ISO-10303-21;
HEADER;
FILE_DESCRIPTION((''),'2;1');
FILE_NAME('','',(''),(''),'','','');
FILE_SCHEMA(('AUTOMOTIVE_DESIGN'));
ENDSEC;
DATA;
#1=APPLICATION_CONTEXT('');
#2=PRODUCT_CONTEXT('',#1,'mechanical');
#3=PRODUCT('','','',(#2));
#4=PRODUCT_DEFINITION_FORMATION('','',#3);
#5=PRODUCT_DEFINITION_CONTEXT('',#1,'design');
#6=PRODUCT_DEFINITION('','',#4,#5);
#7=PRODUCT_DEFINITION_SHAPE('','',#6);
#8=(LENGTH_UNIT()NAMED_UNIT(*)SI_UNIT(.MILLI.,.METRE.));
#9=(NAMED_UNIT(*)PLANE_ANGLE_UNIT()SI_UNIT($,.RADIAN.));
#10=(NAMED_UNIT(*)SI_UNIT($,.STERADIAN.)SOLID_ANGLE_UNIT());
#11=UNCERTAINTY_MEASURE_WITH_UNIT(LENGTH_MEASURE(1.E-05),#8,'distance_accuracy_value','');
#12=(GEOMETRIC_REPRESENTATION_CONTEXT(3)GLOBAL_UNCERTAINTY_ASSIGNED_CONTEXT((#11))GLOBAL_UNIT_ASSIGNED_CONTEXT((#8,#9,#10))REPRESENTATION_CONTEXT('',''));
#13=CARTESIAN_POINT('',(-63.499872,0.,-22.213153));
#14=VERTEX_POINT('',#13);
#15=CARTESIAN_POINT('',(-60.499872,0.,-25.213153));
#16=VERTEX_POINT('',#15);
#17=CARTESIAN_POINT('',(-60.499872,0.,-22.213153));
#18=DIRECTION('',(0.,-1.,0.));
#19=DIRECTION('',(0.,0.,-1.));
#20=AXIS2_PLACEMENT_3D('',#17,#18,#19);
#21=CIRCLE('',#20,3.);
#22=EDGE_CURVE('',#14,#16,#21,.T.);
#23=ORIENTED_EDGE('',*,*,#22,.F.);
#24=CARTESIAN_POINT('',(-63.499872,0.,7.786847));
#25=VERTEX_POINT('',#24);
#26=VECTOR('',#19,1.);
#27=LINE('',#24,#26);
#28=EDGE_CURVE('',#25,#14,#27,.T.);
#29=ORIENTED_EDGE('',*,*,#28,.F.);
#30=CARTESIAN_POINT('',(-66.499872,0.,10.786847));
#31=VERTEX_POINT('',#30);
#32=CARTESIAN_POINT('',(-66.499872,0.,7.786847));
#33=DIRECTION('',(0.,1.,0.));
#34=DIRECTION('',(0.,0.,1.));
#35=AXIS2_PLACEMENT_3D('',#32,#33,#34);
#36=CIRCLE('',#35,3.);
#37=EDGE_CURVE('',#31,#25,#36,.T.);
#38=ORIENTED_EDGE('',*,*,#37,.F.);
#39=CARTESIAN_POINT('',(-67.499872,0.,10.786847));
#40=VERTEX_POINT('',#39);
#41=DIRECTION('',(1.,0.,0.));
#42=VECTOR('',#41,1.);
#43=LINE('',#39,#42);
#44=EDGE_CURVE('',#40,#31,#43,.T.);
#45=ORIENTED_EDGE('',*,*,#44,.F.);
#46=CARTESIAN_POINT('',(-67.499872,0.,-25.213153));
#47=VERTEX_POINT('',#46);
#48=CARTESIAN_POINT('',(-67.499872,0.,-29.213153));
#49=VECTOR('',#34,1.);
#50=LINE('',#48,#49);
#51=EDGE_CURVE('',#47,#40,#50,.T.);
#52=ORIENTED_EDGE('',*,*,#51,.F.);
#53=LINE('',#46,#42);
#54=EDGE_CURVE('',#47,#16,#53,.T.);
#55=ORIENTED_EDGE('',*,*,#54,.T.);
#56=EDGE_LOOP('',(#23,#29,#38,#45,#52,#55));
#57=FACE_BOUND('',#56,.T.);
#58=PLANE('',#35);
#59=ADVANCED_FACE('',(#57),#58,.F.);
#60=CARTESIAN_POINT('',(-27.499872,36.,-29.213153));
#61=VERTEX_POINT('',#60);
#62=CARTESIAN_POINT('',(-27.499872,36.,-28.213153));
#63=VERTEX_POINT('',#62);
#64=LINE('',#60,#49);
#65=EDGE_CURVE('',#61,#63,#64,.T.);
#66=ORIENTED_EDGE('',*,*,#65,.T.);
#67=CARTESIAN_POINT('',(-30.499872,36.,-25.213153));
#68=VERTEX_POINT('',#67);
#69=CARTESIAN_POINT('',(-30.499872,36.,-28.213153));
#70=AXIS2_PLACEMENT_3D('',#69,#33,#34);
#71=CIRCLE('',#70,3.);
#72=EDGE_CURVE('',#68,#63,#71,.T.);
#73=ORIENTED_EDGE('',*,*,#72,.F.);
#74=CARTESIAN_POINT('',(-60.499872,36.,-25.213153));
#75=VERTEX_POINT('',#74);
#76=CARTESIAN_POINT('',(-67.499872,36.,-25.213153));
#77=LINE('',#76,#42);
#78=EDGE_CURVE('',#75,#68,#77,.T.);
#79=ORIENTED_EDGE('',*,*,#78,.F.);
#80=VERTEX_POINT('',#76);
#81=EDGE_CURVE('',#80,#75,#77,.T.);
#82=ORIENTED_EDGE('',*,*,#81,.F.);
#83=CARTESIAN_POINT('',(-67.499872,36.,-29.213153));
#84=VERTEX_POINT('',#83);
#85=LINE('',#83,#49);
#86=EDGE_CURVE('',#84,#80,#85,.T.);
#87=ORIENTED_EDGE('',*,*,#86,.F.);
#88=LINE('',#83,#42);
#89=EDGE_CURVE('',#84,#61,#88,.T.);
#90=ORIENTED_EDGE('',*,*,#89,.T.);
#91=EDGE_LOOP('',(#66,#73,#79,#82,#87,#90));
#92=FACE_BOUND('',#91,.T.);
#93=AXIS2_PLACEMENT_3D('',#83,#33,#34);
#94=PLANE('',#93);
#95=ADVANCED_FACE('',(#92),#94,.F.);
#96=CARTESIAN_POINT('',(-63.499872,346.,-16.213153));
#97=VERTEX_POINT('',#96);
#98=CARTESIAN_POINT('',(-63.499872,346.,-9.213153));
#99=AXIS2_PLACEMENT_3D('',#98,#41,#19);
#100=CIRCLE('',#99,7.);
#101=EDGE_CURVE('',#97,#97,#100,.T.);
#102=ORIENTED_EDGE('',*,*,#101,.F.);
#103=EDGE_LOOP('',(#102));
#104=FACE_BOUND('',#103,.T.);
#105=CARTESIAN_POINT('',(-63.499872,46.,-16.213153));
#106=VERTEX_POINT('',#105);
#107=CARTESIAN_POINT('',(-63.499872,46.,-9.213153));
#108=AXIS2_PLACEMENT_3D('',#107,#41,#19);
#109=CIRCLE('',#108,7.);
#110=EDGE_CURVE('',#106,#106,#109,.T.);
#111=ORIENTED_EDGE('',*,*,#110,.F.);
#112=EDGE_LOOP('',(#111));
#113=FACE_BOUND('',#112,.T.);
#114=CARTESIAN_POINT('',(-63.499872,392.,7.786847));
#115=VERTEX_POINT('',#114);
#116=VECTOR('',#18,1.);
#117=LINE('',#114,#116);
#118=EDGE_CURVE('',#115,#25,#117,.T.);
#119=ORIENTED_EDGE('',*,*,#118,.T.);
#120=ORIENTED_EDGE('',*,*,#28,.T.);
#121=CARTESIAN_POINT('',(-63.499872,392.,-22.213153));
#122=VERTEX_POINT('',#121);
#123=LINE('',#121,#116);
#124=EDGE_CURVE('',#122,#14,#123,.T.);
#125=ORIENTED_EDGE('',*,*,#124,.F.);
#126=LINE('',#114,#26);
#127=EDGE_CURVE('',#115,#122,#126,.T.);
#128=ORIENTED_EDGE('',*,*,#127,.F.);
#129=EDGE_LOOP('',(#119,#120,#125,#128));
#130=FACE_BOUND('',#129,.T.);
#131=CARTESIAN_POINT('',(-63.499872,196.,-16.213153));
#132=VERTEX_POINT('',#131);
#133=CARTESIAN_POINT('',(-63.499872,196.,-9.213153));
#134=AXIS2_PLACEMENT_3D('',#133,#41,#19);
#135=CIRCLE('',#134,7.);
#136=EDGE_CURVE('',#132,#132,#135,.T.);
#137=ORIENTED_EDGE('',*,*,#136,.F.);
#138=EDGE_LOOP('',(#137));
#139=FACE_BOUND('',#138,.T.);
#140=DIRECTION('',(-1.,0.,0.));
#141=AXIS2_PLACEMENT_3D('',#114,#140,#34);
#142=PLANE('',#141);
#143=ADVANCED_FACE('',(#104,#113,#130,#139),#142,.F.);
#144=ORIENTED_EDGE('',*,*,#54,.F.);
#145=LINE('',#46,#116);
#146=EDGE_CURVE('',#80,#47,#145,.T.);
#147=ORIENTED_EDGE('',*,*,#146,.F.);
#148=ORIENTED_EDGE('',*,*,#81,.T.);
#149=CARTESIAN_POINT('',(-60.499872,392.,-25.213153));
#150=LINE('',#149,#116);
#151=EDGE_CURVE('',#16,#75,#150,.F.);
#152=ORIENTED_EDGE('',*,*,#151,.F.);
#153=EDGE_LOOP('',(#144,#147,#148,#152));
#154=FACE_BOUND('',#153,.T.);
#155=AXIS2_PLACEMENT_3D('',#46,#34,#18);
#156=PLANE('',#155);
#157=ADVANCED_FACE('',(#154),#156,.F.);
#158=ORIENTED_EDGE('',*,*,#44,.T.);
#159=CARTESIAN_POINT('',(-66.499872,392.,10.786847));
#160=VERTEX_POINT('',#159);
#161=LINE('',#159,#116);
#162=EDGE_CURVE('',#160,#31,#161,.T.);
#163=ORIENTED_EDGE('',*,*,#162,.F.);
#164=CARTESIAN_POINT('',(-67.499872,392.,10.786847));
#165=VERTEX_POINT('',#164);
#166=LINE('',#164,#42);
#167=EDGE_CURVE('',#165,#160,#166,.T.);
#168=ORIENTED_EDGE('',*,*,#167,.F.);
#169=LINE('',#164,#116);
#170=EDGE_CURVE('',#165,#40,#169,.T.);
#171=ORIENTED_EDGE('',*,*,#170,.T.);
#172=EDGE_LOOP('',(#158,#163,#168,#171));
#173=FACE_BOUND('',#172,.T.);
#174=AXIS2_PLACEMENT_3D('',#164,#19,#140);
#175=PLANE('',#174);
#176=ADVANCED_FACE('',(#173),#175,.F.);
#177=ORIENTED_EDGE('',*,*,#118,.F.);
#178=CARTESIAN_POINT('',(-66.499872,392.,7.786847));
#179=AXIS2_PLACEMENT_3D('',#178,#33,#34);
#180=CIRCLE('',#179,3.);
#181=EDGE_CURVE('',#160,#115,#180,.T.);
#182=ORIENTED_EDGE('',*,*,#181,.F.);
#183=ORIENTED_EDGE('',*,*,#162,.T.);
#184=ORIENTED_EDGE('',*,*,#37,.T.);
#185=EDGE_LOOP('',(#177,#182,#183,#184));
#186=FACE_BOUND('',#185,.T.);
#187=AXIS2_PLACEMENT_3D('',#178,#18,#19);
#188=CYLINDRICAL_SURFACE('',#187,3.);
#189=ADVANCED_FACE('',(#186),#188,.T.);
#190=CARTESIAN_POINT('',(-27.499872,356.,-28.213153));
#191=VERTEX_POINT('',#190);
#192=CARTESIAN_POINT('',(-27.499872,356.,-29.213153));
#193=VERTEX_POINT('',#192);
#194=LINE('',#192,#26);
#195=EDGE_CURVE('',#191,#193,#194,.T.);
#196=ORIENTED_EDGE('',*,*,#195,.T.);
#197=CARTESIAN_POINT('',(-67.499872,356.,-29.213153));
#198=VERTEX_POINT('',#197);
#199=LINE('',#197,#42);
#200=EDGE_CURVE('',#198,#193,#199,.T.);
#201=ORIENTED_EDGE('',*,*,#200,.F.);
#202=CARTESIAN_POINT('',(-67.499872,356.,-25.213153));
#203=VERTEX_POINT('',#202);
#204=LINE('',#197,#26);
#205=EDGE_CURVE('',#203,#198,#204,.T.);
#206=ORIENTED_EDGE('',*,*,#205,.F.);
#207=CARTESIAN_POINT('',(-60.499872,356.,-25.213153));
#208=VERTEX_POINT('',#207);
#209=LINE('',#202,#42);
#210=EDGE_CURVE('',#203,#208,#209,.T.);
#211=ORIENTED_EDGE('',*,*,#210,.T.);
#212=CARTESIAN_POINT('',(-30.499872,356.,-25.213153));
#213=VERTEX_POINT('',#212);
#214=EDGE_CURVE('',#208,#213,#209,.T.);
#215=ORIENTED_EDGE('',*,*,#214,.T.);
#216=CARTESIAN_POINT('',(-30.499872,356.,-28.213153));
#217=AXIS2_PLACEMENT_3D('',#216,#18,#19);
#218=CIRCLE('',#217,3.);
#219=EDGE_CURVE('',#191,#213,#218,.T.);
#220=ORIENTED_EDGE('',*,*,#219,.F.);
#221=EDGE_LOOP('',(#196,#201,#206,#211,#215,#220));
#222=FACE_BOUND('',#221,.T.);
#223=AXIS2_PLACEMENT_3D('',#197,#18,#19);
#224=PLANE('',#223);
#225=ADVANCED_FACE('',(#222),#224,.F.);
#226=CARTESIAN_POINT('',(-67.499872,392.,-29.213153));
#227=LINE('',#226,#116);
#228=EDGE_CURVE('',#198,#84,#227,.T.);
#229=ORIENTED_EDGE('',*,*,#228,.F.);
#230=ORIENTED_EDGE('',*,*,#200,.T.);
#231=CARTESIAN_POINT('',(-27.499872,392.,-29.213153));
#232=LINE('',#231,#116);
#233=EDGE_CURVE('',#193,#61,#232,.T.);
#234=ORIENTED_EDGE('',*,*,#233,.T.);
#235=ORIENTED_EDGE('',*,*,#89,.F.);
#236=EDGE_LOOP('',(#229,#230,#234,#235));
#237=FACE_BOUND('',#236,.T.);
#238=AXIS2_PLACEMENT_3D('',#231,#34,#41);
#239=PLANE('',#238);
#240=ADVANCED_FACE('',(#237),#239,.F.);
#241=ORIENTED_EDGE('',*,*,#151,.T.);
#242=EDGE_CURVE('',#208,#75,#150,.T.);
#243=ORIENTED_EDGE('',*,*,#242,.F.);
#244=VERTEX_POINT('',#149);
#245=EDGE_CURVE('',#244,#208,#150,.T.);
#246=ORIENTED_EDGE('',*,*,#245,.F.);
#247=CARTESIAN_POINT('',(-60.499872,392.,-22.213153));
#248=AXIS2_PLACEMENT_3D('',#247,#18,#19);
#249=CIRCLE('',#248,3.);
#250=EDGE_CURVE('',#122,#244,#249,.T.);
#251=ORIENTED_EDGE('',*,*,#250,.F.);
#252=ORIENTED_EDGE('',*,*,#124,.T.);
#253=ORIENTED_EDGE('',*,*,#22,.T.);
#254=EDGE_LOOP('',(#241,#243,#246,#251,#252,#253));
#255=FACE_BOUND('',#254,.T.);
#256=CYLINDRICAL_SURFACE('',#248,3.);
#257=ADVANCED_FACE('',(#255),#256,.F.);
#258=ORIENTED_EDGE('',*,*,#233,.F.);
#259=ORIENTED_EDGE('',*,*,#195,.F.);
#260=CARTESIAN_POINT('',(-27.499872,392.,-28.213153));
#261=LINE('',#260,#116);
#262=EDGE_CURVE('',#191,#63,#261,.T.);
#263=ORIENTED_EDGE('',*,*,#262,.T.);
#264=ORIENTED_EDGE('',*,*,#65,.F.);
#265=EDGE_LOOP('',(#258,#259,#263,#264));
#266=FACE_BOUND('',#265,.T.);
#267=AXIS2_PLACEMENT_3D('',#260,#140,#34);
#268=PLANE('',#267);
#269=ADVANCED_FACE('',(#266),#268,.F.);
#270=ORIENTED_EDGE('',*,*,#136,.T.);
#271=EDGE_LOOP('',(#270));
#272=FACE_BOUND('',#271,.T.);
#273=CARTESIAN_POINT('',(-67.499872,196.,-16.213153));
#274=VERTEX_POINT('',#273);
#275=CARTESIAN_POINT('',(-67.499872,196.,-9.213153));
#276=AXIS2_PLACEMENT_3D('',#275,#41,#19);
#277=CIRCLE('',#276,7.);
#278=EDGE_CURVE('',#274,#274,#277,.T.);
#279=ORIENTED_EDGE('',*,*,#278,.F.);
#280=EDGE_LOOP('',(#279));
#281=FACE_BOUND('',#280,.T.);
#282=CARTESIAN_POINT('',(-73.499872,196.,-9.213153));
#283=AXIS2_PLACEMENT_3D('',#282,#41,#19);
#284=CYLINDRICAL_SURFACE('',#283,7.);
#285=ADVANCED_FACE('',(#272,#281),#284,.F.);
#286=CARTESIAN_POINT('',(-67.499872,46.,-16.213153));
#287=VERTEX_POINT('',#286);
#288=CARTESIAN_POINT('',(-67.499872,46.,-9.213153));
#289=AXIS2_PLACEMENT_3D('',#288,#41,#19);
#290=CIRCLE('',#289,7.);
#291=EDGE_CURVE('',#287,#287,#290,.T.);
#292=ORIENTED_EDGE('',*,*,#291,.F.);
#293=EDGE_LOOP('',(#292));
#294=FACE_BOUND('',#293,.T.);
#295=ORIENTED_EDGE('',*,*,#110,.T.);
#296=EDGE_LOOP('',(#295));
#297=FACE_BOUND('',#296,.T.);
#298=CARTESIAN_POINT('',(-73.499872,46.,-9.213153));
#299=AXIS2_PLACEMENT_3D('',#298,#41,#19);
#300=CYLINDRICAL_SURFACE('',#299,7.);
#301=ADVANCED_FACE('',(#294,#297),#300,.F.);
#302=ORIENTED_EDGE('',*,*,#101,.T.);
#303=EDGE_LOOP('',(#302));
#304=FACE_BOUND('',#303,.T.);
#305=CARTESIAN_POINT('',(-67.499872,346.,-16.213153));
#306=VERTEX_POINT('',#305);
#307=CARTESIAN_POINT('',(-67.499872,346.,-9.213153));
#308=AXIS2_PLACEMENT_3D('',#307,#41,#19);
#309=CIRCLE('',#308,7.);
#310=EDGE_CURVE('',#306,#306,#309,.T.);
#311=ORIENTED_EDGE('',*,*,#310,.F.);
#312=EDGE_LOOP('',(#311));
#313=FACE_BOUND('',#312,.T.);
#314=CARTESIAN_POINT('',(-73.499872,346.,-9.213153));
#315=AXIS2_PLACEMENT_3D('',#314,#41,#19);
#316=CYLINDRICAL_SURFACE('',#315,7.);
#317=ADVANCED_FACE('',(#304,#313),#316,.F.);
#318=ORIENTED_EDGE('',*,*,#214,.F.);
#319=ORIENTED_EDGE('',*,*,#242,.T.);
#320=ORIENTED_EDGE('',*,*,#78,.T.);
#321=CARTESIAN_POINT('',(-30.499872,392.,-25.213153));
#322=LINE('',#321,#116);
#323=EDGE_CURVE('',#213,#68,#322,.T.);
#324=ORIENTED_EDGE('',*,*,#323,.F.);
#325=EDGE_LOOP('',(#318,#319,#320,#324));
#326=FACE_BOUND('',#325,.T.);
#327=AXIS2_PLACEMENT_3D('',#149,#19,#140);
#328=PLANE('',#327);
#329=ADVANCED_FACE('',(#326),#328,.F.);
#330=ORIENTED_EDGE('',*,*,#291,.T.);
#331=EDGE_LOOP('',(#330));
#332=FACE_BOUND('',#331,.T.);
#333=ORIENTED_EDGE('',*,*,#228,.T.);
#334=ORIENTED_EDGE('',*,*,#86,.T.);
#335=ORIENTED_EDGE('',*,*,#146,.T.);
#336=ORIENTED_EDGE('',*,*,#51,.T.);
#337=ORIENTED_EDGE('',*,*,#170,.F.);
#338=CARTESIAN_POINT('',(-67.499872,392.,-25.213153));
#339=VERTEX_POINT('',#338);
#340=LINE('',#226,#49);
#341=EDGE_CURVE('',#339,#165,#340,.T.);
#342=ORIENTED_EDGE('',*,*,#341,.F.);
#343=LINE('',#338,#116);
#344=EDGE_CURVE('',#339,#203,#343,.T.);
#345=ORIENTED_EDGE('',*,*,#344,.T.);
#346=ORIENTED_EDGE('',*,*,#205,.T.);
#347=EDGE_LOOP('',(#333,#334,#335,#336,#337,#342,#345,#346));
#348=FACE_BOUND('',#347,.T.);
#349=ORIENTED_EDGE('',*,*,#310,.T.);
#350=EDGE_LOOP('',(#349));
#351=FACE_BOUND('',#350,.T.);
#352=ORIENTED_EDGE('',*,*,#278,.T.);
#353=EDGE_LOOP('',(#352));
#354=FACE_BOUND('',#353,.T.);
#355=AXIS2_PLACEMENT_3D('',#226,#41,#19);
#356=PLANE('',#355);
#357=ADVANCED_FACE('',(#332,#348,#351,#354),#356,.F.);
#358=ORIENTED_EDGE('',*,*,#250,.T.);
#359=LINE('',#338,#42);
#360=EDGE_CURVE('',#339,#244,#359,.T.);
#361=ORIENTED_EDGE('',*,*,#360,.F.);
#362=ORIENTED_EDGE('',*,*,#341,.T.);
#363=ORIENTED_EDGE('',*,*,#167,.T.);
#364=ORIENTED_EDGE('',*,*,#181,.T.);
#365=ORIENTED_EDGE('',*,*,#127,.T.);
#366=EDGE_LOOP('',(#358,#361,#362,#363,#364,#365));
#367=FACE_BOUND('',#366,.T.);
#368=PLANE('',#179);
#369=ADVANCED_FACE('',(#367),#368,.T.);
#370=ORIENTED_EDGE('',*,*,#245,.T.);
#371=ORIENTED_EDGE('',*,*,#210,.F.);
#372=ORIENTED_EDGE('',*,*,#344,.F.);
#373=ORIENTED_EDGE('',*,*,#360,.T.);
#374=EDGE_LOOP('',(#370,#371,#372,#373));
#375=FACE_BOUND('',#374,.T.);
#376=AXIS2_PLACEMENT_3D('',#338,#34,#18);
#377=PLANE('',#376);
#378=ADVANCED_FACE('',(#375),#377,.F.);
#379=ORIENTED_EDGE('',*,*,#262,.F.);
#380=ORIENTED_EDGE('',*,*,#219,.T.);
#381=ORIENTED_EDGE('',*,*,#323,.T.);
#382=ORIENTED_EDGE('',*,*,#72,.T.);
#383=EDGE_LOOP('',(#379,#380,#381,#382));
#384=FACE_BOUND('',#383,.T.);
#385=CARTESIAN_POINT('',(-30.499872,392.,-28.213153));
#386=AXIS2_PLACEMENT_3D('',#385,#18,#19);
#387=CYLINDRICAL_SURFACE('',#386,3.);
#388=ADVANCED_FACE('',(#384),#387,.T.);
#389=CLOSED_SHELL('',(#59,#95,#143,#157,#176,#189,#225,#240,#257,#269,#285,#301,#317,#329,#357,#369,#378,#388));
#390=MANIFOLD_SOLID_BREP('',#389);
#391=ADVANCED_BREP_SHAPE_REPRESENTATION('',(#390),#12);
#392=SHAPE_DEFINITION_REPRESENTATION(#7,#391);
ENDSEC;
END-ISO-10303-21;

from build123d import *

# Parameters (mm, degrees)
BOSS_EXTRUDE1_DEPTH     = 392
CUT_EXTRUDE1_DEPTH      = 395.732071568
CUT_EXTRUDE1_DEPTH_BACK = 395.732071568
SKETCH2_W               = 4
SKETCH2_H               = 36
SKETCH3_R               = 7
CUT_EXTRUDE2_DEPTH      = 10


with BuildPart() as part:
    # Sketch1 → Boss-Extrude1 (new body)
    with BuildSketch(Plane(origin=(0, 0, 0), x_dir=(1, 0, 0), z_dir=(0, 1, 0))):
        with BuildLine():
            Line((-27.499872145, 29.213153277), (-67.499872145, 29.213153277))
            Line((-67.499872145, 29.213153277), (-67.499872145, -10.786846723))
            Line((-67.499872145, -10.786846723), (-66.499872145, -10.786846723))
            ThreePointArc((-66.499872145, -10.786846723), (-64.378551801, -9.908167067), (-63.499872145, -7.786846723))
            Line((-63.499872145, -7.786846723), (-63.499872145, 22.213153277))
            ThreePointArc((-63.499872145, 22.213153277), (-62.621192489, 24.334473621), (-60.499872145, 25.213153277))
            Line((-60.499872145, 25.213153277), (-30.499872145, 25.213153277))
            ThreePointArc((-30.499872145, 25.213153277), (-28.378551801, 26.091832933), (-27.499872145, 28.213153277))
            Line((-27.499872145, 28.213153277), (-27.499872145, 29.213153277))
        make_face()
    extrude(amount=BOSS_EXTRUDE1_DEPTH)

    # Sketch2 → Cut-Extrude1 (cut, two sides: drawn at the far end of the back side and taken through both)
    with BuildSketch(Plane(origin=(-63.499872145, 0, 0), x_dir=(0, 0, -1), z_dir=(1, 0, 0)).offset(-CUT_EXTRUDE1_DEPTH_BACK)):
        with Locations((27.213153277, 374)):
            Rectangle(SKETCH2_W, SKETCH2_H)
        with Locations((27.213153277, 18)):
            Rectangle(SKETCH2_W, SKETCH2_H)
    extrude(amount=CUT_EXTRUDE1_DEPTH + CUT_EXTRUDE1_DEPTH_BACK, mode=Mode.SUBTRACT)

    # Sketch3 → Cut-Extrude2 (cut)
    with BuildSketch(Plane(origin=(-63.499872145, 0, 0), x_dir=(0, 0, -1), z_dir=(1, 0, 0))):
        with Locations((9.213153277, 196)):
            Circle(SKETCH3_R)
        with Locations((9.213153277, 46)):
            Circle(SKETCH3_R)
        with Locations((9.213153277, 346)):
            Circle(SKETCH3_R)
    extrude(amount=-CUT_EXTRUDE2_DEPTH, mode=Mode.SUBTRACT)


solid = part.part
